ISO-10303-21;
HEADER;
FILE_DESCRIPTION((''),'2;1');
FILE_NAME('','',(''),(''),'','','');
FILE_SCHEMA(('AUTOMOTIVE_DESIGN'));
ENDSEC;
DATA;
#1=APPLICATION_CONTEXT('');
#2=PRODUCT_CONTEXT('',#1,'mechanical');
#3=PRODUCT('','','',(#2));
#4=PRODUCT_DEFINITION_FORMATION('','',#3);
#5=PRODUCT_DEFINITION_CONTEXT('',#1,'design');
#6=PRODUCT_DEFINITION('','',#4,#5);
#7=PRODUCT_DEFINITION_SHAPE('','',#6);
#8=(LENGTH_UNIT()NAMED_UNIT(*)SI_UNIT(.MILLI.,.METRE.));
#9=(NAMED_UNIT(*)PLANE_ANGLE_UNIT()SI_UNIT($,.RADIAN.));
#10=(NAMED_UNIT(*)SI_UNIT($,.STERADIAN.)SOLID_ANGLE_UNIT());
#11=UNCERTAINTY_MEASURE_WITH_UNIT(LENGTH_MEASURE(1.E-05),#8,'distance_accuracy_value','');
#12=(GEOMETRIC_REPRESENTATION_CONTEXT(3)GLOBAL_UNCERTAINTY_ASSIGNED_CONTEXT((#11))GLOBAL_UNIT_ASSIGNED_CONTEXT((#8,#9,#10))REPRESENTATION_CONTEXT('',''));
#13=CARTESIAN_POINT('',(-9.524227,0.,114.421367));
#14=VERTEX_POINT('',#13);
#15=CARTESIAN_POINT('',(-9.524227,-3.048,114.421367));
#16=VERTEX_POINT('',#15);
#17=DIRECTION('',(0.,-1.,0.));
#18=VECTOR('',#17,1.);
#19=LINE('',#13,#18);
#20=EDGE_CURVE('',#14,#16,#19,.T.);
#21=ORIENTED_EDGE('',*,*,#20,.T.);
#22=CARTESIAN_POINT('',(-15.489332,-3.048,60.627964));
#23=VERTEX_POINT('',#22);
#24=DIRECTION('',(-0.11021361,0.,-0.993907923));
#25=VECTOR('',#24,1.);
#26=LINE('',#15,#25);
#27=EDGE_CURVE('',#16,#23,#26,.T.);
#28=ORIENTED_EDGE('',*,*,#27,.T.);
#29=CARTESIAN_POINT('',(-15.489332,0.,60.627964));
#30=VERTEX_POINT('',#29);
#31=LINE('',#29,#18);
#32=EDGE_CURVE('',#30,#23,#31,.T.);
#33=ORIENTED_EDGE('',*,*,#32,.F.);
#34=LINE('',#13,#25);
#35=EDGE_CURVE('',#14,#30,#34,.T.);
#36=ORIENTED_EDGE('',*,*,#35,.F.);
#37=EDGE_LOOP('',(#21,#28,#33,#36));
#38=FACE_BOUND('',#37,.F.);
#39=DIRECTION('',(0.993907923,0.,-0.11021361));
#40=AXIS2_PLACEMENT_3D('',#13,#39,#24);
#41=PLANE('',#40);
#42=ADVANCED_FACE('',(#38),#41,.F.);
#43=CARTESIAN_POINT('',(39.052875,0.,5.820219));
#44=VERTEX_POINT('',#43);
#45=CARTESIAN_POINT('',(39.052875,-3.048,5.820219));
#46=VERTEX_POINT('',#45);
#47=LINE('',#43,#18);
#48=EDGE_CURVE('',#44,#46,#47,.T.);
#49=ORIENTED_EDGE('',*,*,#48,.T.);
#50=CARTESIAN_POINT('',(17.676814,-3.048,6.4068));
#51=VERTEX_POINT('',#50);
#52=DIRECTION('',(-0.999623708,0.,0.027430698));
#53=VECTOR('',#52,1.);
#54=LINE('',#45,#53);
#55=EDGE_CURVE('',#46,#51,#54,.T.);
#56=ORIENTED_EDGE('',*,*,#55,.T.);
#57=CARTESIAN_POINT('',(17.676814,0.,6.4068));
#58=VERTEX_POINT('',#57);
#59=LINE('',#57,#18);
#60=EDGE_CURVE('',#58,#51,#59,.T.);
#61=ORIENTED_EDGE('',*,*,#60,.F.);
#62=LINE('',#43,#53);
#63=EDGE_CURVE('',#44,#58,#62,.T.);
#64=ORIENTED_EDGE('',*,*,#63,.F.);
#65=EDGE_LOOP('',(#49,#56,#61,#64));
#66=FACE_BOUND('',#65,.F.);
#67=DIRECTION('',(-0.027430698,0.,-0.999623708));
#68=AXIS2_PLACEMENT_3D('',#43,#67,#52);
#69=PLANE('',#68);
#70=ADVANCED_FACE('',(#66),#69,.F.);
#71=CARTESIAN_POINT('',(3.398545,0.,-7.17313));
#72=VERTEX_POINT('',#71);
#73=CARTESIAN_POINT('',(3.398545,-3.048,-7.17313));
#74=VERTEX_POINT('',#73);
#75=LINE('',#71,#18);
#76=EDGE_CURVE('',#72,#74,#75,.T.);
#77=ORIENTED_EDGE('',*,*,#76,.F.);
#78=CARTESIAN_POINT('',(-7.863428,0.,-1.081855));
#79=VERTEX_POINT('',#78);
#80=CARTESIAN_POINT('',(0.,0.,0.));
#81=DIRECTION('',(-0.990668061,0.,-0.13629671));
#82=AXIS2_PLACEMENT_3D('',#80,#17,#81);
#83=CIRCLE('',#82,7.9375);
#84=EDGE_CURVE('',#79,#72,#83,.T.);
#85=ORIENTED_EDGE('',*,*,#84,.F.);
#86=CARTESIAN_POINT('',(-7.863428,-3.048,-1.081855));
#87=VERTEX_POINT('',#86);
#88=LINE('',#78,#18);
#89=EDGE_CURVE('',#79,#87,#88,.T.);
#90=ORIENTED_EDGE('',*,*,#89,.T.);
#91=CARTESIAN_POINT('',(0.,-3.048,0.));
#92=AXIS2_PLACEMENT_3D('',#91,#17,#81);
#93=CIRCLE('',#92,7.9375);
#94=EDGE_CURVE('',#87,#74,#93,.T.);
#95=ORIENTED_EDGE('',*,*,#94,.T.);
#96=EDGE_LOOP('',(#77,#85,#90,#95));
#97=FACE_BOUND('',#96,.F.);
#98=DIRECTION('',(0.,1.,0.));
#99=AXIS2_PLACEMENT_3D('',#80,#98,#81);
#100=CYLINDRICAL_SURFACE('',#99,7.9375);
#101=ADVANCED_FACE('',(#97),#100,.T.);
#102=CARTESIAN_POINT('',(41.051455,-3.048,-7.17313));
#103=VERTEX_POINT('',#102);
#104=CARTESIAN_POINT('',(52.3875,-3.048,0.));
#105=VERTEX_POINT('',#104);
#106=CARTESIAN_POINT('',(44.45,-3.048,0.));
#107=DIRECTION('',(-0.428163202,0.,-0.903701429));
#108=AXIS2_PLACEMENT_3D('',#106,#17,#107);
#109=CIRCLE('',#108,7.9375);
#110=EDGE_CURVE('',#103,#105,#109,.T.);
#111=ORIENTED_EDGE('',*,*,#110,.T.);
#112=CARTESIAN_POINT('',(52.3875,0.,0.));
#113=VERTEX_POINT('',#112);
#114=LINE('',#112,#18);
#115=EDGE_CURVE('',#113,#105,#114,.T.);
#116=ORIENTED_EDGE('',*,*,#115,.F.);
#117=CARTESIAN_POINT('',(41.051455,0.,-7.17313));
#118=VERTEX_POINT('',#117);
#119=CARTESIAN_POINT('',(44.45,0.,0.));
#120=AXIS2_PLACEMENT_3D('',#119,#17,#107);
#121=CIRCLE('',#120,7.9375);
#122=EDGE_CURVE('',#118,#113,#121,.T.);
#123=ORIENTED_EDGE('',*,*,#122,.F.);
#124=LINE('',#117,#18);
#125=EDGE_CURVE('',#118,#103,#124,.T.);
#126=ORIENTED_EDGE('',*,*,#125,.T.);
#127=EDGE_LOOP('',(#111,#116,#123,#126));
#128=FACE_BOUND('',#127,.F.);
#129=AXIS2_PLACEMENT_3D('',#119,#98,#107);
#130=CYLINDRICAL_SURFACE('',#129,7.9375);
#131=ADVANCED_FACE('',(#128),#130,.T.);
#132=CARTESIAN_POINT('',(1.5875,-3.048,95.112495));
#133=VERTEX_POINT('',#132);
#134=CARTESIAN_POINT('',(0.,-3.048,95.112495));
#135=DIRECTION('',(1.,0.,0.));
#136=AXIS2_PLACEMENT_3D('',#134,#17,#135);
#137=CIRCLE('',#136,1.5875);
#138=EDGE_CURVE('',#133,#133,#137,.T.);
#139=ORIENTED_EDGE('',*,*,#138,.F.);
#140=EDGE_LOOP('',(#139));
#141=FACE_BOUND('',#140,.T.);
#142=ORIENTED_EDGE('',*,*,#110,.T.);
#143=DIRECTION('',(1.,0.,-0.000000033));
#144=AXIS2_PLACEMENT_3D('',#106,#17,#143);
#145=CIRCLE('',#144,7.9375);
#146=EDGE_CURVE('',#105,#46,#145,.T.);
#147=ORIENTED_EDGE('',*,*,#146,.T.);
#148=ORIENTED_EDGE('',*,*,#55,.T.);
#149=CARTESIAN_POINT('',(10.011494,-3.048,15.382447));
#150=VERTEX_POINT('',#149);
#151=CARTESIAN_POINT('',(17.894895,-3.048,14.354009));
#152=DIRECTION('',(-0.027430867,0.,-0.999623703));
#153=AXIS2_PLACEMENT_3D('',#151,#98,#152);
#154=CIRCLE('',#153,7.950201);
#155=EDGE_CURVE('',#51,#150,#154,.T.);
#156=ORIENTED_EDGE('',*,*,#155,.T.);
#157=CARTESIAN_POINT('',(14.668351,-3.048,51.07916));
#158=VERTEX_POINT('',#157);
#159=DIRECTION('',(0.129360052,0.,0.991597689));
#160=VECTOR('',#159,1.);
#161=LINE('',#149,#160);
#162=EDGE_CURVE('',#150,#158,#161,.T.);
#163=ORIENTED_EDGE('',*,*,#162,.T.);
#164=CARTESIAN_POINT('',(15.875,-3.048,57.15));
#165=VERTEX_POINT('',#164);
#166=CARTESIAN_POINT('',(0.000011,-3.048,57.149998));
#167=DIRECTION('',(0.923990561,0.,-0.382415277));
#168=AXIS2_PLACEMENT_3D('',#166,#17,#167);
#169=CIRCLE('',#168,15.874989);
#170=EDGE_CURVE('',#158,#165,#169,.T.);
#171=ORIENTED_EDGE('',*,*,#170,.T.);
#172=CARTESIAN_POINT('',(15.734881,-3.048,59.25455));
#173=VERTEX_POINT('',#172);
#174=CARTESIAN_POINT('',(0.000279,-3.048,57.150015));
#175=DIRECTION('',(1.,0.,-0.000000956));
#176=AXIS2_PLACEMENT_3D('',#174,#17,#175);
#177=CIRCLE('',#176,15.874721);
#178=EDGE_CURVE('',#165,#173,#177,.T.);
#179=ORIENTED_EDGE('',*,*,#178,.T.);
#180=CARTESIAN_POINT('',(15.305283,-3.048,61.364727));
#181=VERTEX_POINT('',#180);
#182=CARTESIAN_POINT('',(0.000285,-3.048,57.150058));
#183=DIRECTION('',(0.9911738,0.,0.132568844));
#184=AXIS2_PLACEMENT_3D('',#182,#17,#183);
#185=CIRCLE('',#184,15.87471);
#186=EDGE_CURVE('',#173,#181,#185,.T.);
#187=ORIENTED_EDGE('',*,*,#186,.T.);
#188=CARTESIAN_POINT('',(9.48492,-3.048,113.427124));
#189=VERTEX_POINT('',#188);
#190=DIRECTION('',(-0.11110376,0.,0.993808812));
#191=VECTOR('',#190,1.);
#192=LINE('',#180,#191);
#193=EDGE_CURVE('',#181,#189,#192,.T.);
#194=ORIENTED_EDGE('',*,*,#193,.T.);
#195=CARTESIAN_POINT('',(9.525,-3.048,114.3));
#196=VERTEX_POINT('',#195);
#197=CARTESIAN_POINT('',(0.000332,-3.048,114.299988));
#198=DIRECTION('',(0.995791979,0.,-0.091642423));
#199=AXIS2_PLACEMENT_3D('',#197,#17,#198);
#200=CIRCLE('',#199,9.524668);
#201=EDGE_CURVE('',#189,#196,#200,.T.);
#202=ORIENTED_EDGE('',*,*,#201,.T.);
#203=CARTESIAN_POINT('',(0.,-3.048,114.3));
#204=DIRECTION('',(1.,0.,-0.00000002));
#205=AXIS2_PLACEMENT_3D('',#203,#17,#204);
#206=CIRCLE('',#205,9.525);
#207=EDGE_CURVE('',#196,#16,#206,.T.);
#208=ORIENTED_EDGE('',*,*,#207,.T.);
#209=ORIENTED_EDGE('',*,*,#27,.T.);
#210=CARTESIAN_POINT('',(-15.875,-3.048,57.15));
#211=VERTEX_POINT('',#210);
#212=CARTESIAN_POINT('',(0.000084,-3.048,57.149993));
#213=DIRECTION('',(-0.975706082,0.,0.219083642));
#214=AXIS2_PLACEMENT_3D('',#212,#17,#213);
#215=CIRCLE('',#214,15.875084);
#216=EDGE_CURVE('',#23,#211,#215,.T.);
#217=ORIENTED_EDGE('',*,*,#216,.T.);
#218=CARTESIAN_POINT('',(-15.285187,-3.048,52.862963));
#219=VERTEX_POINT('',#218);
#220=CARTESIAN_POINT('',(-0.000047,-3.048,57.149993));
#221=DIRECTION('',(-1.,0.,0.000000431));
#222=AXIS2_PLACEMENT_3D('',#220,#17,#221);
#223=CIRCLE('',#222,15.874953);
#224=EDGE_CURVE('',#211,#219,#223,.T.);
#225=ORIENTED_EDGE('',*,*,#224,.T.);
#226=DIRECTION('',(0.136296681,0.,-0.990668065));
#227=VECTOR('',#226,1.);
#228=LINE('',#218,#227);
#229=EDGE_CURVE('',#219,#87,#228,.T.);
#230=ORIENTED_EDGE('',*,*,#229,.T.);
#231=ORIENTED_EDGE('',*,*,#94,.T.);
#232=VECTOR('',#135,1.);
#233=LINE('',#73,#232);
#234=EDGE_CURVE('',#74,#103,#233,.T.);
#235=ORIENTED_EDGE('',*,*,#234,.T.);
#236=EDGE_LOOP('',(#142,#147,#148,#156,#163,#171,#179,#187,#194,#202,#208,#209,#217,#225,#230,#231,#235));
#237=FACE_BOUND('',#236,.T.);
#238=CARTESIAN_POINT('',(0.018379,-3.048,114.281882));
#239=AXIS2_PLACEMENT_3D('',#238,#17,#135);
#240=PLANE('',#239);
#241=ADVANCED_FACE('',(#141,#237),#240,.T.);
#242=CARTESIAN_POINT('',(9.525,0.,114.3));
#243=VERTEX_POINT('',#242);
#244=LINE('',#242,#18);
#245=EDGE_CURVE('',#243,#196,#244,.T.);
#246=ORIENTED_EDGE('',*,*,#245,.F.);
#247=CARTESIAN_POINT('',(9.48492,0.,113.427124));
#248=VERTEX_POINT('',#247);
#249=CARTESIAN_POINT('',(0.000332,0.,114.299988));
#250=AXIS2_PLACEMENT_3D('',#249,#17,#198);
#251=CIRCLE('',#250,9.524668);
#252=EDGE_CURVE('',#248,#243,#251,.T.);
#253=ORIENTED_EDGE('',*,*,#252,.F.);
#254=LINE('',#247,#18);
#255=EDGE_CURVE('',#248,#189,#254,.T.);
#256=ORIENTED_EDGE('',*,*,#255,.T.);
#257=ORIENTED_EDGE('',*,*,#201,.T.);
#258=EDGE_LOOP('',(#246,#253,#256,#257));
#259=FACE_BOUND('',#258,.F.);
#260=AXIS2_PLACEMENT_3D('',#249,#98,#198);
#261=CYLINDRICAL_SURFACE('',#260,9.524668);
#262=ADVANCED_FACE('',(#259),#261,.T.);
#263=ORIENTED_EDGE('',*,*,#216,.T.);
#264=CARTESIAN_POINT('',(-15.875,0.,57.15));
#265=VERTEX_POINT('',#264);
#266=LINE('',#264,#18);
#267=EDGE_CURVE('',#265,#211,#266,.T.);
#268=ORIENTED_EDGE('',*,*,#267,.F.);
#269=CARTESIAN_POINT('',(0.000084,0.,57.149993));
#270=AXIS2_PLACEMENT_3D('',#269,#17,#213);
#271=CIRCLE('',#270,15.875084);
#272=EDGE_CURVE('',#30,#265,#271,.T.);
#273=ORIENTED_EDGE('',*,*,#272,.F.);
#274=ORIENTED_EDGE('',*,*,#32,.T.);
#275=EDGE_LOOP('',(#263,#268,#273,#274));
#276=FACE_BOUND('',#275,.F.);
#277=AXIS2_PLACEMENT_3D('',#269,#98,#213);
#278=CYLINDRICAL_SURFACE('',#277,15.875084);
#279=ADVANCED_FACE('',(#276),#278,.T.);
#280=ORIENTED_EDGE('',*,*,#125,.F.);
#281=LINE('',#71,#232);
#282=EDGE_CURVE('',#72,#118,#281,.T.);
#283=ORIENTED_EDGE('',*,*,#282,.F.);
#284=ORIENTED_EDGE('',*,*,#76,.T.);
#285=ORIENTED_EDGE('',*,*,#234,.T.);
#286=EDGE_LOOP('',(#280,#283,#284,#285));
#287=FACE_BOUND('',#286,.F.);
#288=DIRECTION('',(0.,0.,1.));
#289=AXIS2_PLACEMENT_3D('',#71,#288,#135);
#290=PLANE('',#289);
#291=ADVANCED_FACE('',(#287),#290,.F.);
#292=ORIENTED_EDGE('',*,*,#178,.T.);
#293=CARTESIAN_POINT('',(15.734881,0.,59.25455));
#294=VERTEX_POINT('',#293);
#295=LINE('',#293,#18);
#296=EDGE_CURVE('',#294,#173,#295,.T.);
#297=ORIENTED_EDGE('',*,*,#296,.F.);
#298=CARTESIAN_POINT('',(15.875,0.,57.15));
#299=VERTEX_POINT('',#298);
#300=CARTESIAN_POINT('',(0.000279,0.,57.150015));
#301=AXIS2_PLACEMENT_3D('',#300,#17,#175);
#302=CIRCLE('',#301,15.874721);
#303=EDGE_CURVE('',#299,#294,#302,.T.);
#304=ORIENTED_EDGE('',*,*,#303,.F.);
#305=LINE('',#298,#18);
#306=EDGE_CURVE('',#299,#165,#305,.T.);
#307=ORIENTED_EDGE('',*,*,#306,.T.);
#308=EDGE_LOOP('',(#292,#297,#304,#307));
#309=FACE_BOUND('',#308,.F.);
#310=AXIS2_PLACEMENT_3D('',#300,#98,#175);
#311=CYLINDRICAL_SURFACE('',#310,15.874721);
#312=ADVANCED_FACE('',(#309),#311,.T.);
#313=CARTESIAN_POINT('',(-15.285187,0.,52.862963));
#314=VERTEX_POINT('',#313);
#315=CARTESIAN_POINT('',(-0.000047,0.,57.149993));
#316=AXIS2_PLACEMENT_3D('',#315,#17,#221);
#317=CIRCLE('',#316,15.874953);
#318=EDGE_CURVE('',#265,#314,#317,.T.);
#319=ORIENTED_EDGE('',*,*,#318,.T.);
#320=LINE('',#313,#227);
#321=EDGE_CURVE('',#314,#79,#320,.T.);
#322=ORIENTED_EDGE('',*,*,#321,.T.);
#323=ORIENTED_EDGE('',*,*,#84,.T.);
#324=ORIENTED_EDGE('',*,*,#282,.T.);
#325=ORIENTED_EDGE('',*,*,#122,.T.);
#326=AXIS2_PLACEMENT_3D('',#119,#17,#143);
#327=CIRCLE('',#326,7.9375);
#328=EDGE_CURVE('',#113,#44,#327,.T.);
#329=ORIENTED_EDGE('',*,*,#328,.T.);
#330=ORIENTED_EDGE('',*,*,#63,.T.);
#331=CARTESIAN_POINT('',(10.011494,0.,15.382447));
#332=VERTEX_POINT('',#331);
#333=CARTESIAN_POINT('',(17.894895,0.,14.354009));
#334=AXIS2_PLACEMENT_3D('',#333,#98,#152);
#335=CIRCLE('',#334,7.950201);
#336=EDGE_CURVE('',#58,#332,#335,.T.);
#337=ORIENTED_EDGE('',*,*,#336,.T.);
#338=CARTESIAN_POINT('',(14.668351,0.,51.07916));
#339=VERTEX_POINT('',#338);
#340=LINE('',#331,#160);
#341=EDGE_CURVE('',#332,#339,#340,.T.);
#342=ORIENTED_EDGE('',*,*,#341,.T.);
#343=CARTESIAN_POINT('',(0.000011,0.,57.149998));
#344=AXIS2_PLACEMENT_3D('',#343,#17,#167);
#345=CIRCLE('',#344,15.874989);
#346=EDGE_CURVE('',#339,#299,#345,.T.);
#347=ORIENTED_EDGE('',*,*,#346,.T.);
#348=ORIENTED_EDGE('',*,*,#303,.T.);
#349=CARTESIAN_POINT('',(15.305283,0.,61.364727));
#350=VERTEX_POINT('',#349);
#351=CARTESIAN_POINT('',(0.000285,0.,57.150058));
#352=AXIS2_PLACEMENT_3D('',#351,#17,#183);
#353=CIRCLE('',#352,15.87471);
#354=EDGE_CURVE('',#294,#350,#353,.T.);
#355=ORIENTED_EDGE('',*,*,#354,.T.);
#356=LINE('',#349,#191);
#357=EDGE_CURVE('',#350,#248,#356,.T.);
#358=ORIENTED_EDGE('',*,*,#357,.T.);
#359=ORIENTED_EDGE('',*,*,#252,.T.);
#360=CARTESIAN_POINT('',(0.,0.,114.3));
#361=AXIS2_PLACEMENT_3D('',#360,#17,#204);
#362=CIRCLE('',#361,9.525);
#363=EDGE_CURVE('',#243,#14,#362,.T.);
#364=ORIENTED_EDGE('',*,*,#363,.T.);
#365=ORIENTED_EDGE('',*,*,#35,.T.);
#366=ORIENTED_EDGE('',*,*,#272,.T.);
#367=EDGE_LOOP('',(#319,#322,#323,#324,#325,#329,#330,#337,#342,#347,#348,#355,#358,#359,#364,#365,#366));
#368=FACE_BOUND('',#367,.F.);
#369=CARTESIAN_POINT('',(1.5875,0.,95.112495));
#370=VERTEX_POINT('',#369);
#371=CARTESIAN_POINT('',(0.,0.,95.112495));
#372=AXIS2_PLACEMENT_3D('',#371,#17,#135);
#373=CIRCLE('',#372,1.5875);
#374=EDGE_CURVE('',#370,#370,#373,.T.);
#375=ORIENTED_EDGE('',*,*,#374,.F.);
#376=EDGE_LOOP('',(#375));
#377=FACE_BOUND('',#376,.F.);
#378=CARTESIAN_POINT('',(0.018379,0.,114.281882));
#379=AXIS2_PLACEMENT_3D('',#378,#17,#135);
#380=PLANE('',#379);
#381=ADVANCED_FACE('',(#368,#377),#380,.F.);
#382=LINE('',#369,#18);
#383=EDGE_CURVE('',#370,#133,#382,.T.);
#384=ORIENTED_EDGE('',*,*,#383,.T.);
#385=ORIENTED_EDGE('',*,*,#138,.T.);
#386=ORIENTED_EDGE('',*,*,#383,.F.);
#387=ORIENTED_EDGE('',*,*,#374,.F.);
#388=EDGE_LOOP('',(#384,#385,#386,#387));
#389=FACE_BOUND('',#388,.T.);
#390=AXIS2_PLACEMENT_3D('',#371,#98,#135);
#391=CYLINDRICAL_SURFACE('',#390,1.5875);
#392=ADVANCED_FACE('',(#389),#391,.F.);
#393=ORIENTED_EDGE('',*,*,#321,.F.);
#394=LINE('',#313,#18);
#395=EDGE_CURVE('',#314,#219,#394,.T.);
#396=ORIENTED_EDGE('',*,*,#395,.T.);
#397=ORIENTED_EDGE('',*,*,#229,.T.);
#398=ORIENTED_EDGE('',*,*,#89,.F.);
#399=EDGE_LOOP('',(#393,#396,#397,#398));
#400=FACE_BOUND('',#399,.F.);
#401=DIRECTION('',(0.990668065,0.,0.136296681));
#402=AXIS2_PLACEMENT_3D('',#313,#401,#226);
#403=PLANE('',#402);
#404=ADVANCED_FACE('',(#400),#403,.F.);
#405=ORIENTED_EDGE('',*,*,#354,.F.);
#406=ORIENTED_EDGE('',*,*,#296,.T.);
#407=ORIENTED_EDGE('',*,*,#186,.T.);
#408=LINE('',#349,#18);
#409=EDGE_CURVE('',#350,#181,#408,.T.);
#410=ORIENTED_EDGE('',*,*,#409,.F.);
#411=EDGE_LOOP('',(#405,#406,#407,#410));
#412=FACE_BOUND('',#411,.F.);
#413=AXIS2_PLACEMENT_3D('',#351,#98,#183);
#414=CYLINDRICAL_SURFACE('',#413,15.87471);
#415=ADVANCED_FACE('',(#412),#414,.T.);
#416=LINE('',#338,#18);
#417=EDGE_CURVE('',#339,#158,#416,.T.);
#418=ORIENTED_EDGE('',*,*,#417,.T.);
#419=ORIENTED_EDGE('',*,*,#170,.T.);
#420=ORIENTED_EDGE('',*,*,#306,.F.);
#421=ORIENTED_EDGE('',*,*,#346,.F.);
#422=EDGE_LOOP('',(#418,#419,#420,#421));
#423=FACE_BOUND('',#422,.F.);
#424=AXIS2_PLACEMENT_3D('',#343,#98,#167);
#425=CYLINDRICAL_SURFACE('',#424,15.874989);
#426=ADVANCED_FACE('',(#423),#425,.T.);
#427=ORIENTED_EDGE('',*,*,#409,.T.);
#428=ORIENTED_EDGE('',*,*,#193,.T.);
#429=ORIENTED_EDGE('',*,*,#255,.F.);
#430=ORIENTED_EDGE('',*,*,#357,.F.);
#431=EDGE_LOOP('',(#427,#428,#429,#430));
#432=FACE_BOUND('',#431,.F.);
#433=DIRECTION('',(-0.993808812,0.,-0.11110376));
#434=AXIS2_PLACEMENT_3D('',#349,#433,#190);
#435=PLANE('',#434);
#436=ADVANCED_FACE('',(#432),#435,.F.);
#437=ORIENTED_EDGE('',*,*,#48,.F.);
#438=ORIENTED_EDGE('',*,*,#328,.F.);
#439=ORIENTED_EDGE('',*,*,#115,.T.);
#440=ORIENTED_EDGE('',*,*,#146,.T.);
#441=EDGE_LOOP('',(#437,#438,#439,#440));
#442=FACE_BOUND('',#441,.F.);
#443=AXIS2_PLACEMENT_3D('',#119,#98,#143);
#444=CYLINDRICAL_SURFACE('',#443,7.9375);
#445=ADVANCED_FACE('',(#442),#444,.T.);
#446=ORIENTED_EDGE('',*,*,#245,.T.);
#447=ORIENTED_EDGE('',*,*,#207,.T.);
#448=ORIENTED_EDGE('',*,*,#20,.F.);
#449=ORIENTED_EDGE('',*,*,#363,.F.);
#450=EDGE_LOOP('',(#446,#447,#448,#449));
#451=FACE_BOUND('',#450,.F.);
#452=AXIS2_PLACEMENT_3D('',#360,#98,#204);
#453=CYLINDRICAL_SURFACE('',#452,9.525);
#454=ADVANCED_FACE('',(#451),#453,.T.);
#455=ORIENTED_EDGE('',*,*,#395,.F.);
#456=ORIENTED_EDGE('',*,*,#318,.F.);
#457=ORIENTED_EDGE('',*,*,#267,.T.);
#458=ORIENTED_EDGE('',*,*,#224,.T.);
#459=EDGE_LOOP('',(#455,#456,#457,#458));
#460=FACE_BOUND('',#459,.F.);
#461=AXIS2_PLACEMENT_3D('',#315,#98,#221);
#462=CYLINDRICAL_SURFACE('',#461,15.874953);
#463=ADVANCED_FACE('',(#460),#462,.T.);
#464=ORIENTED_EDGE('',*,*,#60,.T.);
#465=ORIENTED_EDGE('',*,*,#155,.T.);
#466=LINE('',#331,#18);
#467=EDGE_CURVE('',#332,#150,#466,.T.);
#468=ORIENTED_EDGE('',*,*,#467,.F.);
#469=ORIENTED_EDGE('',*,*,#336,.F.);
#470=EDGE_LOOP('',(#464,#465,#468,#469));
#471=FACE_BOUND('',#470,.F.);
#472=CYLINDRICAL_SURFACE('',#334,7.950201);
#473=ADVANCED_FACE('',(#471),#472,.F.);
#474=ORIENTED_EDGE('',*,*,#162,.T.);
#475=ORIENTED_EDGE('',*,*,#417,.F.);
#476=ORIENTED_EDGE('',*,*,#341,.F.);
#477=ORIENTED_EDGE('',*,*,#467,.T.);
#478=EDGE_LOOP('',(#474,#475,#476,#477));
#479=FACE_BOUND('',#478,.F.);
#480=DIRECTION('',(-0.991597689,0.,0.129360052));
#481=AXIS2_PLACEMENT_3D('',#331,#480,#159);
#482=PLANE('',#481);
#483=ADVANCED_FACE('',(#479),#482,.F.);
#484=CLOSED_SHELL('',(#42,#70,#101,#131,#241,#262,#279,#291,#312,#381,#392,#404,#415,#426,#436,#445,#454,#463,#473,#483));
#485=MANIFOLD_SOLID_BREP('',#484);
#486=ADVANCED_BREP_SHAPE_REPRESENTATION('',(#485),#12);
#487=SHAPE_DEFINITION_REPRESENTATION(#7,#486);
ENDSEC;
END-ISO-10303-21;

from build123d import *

# Parameters (mm, degrees)
F0_R     = 1.5875
F1_DEPTH = 3.048


with BuildPart() as f1:
    # F0 (on Front) → F1 (new body)
    with BuildSketch(Plane.XZ):
        with BuildLine():
            ThreePointArc((9.48492, 113.427124), (9.514975, 113.863102), (9.525, 114.3))
            ThreePointArc((9.525, 114.3), (0.060685, 123.824807), (-9.524227, 114.421367))
            ThreePointArc((-9.524227, 114.421367), (-0.497509, 104.788002), (9.48492, 113.427124))
        make_face()
        with BuildLine():
            ThreePointArc((9.48492, 113.427124), (-0.497509, 104.788002), (-9.524227, 114.421367))
            Line((-9.524227, 114.421367), (-15.489332, 60.627964))
            ThreePointArc((-15.489332, 60.627964), (-0.379702, 73.020458), (15.305283, 61.364727))
            Line((15.305283, 61.364727), (9.48492, 113.427124))
        make_face()
        with Locations((0, 95.112495)):
            Circle(F0_R, mode=Mode.SUBTRACT)
        with BuildLine():
            Line((-15.875, 57.15), (-15.489332, 60.627964))
            ThreePointArc((-15.489332, 60.627964), (-15.778288, 58.899641), (-15.875, 57.15))
        make_face()
        with BuildLine():
            ThreePointArc((15.305283, 61.364727), (-0.379702, 73.020458), (-15.489332, 60.627964))
            Line((-15.489332, 60.627964), (-15.875, 57.15))
            Line((-15.875, 57.15), (-15.285187, 52.862963))
            ThreePointArc((-15.285187, 52.862963), (-0.943722, 41.303076), (14.668351, 51.07916))
            Line((14.668351, 51.07916), (15.734881, 59.25455))
            ThreePointArc((15.734881, 59.25455), (15.555905, 60.316931), (15.305283, 61.364727))
        make_face()
        with BuildLine():
            Line((-15.285187, 52.862963), (-15.875, 57.15))
            ThreePointArc((-15.875, 57.15), (-15.726856, 54.98629), (-15.285187, 52.862963))
        make_face()
        with BuildLine():
            ThreePointArc((15.875, 57.15), (15.839932, 58.204605), (15.734881, 59.25455))
            Line((15.734881, 59.25455), (14.668351, 51.07916))
            ThreePointArc((14.668351, 51.07916), (15.570416, 54.055202), (15.875, 57.15))
        make_face()
        with BuildLine():
            ThreePointArc((14.668351, 51.07916), (-0.943722, 41.303076), (-15.285187, 52.862963))
            Line((-15.285187, 52.862963), (-7.863428, -1.081855))
            ThreePointArc((-7.863428, -1.081855), (-0.542194, 7.91896), (7.9375, 0))
            ThreePointArc((7.9375, 0), (6.707453, -4.244288), (3.398545, -7.17313))
            Line((3.398545, -7.17313), (41.051455, -7.17313))
            ThreePointArc((41.051455, -7.17313), (36.604764, -1.20672), (39.052875, 5.820219))
            Line((39.052875, 5.820219), (17.676814, 6.4068))
            ThreePointArc((17.676814, 6.4068), (11.849313, 9.191003), (10.011494, 15.382447))
            Line((10.011494, 15.382447), (14.668351, 51.07916))
        make_face()
        with BuildLine():
            ThreePointArc((7.9375, 0), (-0.542194, 7.91896), (-7.863428, -1.081855))
            ThreePointArc((-7.863428, -1.081855), (-3.776202, -6.981705), (3.398545, -7.17313))
            ThreePointArc((3.398545, -7.17313), (6.707453, -4.244288), (7.9375, 0))
        make_face()
        with BuildLine():
            ThreePointArc((39.052875, 5.820219), (36.604764, -1.20672), (41.051455, -7.17313))
            ThreePointArc((41.051455, -7.17313), (48.694288, -6.707453), (52.3875, 0))
            ThreePointArc((52.3875, 0), (47.625234, 7.274737), (39.052875, 5.820219))
        make_face()
    extrude(amount=F1_DEPTH)


solid = f1.part
